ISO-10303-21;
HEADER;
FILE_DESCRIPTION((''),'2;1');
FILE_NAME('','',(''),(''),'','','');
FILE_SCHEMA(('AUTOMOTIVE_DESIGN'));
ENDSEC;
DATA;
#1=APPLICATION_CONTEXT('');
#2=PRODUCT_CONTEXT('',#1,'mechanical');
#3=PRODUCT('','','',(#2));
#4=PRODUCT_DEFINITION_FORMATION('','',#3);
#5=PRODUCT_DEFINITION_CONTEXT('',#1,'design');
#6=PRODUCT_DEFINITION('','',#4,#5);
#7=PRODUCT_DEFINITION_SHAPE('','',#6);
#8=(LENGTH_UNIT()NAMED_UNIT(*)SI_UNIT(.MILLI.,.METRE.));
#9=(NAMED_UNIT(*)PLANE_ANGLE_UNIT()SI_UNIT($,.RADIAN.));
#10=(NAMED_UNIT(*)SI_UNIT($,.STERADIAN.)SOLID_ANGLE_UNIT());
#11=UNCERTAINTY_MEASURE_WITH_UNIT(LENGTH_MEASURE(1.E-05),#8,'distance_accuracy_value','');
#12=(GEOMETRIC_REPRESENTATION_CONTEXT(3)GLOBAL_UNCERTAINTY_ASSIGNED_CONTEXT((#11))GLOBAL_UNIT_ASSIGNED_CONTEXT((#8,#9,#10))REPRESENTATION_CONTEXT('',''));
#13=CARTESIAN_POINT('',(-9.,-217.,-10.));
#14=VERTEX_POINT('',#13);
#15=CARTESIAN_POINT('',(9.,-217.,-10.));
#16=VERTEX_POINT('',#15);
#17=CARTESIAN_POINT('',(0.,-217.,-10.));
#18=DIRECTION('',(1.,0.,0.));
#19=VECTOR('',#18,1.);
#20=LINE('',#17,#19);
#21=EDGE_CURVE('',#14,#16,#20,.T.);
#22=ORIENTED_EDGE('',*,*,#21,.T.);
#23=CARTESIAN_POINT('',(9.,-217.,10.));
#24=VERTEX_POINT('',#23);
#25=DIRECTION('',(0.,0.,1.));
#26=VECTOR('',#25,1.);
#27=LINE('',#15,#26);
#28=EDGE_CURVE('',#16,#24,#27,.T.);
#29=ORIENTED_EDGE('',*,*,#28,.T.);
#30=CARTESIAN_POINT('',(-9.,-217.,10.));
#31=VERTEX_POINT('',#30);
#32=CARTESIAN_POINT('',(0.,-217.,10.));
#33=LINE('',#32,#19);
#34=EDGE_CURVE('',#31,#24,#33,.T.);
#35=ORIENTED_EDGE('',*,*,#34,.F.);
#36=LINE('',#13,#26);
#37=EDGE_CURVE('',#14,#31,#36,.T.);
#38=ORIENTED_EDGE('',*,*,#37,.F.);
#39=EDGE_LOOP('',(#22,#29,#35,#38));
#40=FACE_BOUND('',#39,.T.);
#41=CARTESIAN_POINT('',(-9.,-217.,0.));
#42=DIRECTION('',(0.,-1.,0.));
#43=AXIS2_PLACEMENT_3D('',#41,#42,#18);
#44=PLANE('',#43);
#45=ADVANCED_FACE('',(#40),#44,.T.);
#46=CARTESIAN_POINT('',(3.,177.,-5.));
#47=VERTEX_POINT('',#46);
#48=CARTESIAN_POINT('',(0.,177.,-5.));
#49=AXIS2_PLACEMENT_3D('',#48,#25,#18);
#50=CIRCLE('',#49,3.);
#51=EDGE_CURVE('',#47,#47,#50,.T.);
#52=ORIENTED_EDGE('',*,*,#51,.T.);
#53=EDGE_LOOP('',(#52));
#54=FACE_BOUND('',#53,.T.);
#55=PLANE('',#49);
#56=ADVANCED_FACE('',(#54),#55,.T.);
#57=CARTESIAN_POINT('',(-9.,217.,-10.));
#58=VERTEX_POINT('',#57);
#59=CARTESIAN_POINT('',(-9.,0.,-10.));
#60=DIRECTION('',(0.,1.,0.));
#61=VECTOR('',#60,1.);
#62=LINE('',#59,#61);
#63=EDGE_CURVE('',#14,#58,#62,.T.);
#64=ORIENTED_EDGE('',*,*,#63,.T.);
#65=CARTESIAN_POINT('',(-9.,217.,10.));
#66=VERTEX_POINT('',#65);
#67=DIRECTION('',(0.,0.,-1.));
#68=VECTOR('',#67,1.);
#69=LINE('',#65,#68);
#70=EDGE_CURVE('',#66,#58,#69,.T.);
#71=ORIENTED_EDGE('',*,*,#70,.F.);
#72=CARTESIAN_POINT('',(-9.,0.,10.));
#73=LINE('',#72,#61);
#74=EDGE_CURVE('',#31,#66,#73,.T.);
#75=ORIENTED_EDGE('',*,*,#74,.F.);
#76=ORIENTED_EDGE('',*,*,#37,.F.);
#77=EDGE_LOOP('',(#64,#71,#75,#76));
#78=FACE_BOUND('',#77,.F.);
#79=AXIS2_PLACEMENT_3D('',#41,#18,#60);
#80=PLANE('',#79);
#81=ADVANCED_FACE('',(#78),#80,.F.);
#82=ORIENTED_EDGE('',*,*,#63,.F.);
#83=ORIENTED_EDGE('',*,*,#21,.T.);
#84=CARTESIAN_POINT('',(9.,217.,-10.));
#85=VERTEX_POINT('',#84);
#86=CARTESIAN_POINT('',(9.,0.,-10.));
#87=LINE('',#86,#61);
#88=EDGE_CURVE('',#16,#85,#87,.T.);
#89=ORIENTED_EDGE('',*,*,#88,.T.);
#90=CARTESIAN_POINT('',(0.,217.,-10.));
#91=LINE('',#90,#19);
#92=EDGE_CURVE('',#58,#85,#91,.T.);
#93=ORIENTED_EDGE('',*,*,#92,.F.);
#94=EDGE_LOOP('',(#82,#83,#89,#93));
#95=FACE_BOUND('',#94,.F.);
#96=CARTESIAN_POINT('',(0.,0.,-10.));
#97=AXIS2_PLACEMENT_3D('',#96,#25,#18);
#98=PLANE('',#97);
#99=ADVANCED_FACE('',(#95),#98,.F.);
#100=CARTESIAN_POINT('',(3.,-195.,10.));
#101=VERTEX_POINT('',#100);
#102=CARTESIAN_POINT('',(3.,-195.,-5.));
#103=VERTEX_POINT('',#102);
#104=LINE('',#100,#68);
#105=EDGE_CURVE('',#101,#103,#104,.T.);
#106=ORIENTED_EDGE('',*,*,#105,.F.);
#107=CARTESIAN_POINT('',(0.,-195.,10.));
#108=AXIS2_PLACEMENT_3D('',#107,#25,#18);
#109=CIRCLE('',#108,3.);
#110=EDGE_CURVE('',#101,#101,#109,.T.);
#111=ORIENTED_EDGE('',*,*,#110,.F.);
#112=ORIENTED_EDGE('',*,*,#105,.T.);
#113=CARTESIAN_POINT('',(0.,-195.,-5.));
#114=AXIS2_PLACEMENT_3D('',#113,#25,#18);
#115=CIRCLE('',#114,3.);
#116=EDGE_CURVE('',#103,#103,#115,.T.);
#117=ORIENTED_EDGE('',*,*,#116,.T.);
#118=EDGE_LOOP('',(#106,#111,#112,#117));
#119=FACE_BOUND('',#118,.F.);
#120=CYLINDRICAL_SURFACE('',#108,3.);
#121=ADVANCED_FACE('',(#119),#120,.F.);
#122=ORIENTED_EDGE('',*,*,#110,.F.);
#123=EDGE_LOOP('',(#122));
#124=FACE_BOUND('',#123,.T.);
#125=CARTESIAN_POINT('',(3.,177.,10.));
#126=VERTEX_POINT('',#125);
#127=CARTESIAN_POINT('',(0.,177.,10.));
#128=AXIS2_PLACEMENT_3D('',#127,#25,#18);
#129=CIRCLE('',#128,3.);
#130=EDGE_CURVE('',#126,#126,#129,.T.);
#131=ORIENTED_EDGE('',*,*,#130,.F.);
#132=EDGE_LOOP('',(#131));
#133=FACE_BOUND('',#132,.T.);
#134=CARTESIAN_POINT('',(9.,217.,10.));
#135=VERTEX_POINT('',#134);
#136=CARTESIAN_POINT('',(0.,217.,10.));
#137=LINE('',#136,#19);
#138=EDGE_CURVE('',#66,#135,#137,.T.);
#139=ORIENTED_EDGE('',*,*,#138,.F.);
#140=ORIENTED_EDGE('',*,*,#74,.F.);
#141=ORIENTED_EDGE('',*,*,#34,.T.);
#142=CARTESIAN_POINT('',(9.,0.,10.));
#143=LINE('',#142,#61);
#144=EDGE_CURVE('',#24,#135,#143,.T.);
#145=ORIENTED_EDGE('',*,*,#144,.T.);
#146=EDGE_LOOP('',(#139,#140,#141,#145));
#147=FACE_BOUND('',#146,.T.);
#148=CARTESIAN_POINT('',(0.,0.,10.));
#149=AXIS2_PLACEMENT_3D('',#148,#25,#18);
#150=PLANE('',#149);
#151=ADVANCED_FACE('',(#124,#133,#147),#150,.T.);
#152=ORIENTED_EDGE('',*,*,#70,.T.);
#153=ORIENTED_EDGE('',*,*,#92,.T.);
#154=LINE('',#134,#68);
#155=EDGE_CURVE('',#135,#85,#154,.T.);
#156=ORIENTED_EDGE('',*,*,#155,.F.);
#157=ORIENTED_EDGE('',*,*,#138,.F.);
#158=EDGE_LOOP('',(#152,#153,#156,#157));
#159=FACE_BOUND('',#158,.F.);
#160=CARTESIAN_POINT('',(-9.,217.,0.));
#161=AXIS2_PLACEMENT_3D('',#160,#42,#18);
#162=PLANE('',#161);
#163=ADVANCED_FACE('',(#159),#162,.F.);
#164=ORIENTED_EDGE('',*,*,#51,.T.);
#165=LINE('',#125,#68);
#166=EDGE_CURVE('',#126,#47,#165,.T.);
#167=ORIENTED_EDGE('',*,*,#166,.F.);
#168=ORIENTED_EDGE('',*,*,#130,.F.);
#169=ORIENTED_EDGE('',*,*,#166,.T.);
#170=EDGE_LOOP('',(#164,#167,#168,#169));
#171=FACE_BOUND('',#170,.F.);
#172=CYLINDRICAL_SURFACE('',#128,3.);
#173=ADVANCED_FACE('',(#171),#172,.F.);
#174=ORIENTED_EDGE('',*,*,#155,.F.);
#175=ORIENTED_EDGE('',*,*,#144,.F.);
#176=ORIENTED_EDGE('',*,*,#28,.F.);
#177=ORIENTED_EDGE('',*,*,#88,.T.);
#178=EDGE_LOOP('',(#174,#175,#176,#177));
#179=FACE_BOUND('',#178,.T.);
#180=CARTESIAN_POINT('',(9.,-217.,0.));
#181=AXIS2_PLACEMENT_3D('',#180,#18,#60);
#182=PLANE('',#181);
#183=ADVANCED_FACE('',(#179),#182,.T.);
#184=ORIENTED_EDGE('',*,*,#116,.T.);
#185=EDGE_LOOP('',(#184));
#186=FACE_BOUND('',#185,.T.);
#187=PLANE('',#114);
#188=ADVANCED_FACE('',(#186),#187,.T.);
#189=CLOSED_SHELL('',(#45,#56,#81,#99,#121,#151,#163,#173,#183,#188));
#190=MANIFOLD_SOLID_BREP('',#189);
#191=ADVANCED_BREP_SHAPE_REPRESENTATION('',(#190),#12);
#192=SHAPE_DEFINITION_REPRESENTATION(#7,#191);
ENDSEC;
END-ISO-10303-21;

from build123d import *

# Parameters (mm, degrees)
F0_W     = 18
F0_H     = 434
F1_DEPTH = 10
F2_R     = 3
F3_DEPTH = 15


with BuildPart() as f1:
    # F0 (on Top) → F1 (new body, symmetric)
    with BuildSketch(Plane.XY):
        Rectangle(F0_W, F0_H)
    extrude(amount=F1_DEPTH, both=True)

    # F2 (on face) → F3 (cut)
    with BuildSketch(Plane.XY.offset(10)):
        with Locations((0, -195)):
            Circle(F2_R)
        with Locations((0, 177)):
            Circle(F2_R)
    extrude(amount=-F3_DEPTH, mode=Mode.SUBTRACT)


solid = f1.part
